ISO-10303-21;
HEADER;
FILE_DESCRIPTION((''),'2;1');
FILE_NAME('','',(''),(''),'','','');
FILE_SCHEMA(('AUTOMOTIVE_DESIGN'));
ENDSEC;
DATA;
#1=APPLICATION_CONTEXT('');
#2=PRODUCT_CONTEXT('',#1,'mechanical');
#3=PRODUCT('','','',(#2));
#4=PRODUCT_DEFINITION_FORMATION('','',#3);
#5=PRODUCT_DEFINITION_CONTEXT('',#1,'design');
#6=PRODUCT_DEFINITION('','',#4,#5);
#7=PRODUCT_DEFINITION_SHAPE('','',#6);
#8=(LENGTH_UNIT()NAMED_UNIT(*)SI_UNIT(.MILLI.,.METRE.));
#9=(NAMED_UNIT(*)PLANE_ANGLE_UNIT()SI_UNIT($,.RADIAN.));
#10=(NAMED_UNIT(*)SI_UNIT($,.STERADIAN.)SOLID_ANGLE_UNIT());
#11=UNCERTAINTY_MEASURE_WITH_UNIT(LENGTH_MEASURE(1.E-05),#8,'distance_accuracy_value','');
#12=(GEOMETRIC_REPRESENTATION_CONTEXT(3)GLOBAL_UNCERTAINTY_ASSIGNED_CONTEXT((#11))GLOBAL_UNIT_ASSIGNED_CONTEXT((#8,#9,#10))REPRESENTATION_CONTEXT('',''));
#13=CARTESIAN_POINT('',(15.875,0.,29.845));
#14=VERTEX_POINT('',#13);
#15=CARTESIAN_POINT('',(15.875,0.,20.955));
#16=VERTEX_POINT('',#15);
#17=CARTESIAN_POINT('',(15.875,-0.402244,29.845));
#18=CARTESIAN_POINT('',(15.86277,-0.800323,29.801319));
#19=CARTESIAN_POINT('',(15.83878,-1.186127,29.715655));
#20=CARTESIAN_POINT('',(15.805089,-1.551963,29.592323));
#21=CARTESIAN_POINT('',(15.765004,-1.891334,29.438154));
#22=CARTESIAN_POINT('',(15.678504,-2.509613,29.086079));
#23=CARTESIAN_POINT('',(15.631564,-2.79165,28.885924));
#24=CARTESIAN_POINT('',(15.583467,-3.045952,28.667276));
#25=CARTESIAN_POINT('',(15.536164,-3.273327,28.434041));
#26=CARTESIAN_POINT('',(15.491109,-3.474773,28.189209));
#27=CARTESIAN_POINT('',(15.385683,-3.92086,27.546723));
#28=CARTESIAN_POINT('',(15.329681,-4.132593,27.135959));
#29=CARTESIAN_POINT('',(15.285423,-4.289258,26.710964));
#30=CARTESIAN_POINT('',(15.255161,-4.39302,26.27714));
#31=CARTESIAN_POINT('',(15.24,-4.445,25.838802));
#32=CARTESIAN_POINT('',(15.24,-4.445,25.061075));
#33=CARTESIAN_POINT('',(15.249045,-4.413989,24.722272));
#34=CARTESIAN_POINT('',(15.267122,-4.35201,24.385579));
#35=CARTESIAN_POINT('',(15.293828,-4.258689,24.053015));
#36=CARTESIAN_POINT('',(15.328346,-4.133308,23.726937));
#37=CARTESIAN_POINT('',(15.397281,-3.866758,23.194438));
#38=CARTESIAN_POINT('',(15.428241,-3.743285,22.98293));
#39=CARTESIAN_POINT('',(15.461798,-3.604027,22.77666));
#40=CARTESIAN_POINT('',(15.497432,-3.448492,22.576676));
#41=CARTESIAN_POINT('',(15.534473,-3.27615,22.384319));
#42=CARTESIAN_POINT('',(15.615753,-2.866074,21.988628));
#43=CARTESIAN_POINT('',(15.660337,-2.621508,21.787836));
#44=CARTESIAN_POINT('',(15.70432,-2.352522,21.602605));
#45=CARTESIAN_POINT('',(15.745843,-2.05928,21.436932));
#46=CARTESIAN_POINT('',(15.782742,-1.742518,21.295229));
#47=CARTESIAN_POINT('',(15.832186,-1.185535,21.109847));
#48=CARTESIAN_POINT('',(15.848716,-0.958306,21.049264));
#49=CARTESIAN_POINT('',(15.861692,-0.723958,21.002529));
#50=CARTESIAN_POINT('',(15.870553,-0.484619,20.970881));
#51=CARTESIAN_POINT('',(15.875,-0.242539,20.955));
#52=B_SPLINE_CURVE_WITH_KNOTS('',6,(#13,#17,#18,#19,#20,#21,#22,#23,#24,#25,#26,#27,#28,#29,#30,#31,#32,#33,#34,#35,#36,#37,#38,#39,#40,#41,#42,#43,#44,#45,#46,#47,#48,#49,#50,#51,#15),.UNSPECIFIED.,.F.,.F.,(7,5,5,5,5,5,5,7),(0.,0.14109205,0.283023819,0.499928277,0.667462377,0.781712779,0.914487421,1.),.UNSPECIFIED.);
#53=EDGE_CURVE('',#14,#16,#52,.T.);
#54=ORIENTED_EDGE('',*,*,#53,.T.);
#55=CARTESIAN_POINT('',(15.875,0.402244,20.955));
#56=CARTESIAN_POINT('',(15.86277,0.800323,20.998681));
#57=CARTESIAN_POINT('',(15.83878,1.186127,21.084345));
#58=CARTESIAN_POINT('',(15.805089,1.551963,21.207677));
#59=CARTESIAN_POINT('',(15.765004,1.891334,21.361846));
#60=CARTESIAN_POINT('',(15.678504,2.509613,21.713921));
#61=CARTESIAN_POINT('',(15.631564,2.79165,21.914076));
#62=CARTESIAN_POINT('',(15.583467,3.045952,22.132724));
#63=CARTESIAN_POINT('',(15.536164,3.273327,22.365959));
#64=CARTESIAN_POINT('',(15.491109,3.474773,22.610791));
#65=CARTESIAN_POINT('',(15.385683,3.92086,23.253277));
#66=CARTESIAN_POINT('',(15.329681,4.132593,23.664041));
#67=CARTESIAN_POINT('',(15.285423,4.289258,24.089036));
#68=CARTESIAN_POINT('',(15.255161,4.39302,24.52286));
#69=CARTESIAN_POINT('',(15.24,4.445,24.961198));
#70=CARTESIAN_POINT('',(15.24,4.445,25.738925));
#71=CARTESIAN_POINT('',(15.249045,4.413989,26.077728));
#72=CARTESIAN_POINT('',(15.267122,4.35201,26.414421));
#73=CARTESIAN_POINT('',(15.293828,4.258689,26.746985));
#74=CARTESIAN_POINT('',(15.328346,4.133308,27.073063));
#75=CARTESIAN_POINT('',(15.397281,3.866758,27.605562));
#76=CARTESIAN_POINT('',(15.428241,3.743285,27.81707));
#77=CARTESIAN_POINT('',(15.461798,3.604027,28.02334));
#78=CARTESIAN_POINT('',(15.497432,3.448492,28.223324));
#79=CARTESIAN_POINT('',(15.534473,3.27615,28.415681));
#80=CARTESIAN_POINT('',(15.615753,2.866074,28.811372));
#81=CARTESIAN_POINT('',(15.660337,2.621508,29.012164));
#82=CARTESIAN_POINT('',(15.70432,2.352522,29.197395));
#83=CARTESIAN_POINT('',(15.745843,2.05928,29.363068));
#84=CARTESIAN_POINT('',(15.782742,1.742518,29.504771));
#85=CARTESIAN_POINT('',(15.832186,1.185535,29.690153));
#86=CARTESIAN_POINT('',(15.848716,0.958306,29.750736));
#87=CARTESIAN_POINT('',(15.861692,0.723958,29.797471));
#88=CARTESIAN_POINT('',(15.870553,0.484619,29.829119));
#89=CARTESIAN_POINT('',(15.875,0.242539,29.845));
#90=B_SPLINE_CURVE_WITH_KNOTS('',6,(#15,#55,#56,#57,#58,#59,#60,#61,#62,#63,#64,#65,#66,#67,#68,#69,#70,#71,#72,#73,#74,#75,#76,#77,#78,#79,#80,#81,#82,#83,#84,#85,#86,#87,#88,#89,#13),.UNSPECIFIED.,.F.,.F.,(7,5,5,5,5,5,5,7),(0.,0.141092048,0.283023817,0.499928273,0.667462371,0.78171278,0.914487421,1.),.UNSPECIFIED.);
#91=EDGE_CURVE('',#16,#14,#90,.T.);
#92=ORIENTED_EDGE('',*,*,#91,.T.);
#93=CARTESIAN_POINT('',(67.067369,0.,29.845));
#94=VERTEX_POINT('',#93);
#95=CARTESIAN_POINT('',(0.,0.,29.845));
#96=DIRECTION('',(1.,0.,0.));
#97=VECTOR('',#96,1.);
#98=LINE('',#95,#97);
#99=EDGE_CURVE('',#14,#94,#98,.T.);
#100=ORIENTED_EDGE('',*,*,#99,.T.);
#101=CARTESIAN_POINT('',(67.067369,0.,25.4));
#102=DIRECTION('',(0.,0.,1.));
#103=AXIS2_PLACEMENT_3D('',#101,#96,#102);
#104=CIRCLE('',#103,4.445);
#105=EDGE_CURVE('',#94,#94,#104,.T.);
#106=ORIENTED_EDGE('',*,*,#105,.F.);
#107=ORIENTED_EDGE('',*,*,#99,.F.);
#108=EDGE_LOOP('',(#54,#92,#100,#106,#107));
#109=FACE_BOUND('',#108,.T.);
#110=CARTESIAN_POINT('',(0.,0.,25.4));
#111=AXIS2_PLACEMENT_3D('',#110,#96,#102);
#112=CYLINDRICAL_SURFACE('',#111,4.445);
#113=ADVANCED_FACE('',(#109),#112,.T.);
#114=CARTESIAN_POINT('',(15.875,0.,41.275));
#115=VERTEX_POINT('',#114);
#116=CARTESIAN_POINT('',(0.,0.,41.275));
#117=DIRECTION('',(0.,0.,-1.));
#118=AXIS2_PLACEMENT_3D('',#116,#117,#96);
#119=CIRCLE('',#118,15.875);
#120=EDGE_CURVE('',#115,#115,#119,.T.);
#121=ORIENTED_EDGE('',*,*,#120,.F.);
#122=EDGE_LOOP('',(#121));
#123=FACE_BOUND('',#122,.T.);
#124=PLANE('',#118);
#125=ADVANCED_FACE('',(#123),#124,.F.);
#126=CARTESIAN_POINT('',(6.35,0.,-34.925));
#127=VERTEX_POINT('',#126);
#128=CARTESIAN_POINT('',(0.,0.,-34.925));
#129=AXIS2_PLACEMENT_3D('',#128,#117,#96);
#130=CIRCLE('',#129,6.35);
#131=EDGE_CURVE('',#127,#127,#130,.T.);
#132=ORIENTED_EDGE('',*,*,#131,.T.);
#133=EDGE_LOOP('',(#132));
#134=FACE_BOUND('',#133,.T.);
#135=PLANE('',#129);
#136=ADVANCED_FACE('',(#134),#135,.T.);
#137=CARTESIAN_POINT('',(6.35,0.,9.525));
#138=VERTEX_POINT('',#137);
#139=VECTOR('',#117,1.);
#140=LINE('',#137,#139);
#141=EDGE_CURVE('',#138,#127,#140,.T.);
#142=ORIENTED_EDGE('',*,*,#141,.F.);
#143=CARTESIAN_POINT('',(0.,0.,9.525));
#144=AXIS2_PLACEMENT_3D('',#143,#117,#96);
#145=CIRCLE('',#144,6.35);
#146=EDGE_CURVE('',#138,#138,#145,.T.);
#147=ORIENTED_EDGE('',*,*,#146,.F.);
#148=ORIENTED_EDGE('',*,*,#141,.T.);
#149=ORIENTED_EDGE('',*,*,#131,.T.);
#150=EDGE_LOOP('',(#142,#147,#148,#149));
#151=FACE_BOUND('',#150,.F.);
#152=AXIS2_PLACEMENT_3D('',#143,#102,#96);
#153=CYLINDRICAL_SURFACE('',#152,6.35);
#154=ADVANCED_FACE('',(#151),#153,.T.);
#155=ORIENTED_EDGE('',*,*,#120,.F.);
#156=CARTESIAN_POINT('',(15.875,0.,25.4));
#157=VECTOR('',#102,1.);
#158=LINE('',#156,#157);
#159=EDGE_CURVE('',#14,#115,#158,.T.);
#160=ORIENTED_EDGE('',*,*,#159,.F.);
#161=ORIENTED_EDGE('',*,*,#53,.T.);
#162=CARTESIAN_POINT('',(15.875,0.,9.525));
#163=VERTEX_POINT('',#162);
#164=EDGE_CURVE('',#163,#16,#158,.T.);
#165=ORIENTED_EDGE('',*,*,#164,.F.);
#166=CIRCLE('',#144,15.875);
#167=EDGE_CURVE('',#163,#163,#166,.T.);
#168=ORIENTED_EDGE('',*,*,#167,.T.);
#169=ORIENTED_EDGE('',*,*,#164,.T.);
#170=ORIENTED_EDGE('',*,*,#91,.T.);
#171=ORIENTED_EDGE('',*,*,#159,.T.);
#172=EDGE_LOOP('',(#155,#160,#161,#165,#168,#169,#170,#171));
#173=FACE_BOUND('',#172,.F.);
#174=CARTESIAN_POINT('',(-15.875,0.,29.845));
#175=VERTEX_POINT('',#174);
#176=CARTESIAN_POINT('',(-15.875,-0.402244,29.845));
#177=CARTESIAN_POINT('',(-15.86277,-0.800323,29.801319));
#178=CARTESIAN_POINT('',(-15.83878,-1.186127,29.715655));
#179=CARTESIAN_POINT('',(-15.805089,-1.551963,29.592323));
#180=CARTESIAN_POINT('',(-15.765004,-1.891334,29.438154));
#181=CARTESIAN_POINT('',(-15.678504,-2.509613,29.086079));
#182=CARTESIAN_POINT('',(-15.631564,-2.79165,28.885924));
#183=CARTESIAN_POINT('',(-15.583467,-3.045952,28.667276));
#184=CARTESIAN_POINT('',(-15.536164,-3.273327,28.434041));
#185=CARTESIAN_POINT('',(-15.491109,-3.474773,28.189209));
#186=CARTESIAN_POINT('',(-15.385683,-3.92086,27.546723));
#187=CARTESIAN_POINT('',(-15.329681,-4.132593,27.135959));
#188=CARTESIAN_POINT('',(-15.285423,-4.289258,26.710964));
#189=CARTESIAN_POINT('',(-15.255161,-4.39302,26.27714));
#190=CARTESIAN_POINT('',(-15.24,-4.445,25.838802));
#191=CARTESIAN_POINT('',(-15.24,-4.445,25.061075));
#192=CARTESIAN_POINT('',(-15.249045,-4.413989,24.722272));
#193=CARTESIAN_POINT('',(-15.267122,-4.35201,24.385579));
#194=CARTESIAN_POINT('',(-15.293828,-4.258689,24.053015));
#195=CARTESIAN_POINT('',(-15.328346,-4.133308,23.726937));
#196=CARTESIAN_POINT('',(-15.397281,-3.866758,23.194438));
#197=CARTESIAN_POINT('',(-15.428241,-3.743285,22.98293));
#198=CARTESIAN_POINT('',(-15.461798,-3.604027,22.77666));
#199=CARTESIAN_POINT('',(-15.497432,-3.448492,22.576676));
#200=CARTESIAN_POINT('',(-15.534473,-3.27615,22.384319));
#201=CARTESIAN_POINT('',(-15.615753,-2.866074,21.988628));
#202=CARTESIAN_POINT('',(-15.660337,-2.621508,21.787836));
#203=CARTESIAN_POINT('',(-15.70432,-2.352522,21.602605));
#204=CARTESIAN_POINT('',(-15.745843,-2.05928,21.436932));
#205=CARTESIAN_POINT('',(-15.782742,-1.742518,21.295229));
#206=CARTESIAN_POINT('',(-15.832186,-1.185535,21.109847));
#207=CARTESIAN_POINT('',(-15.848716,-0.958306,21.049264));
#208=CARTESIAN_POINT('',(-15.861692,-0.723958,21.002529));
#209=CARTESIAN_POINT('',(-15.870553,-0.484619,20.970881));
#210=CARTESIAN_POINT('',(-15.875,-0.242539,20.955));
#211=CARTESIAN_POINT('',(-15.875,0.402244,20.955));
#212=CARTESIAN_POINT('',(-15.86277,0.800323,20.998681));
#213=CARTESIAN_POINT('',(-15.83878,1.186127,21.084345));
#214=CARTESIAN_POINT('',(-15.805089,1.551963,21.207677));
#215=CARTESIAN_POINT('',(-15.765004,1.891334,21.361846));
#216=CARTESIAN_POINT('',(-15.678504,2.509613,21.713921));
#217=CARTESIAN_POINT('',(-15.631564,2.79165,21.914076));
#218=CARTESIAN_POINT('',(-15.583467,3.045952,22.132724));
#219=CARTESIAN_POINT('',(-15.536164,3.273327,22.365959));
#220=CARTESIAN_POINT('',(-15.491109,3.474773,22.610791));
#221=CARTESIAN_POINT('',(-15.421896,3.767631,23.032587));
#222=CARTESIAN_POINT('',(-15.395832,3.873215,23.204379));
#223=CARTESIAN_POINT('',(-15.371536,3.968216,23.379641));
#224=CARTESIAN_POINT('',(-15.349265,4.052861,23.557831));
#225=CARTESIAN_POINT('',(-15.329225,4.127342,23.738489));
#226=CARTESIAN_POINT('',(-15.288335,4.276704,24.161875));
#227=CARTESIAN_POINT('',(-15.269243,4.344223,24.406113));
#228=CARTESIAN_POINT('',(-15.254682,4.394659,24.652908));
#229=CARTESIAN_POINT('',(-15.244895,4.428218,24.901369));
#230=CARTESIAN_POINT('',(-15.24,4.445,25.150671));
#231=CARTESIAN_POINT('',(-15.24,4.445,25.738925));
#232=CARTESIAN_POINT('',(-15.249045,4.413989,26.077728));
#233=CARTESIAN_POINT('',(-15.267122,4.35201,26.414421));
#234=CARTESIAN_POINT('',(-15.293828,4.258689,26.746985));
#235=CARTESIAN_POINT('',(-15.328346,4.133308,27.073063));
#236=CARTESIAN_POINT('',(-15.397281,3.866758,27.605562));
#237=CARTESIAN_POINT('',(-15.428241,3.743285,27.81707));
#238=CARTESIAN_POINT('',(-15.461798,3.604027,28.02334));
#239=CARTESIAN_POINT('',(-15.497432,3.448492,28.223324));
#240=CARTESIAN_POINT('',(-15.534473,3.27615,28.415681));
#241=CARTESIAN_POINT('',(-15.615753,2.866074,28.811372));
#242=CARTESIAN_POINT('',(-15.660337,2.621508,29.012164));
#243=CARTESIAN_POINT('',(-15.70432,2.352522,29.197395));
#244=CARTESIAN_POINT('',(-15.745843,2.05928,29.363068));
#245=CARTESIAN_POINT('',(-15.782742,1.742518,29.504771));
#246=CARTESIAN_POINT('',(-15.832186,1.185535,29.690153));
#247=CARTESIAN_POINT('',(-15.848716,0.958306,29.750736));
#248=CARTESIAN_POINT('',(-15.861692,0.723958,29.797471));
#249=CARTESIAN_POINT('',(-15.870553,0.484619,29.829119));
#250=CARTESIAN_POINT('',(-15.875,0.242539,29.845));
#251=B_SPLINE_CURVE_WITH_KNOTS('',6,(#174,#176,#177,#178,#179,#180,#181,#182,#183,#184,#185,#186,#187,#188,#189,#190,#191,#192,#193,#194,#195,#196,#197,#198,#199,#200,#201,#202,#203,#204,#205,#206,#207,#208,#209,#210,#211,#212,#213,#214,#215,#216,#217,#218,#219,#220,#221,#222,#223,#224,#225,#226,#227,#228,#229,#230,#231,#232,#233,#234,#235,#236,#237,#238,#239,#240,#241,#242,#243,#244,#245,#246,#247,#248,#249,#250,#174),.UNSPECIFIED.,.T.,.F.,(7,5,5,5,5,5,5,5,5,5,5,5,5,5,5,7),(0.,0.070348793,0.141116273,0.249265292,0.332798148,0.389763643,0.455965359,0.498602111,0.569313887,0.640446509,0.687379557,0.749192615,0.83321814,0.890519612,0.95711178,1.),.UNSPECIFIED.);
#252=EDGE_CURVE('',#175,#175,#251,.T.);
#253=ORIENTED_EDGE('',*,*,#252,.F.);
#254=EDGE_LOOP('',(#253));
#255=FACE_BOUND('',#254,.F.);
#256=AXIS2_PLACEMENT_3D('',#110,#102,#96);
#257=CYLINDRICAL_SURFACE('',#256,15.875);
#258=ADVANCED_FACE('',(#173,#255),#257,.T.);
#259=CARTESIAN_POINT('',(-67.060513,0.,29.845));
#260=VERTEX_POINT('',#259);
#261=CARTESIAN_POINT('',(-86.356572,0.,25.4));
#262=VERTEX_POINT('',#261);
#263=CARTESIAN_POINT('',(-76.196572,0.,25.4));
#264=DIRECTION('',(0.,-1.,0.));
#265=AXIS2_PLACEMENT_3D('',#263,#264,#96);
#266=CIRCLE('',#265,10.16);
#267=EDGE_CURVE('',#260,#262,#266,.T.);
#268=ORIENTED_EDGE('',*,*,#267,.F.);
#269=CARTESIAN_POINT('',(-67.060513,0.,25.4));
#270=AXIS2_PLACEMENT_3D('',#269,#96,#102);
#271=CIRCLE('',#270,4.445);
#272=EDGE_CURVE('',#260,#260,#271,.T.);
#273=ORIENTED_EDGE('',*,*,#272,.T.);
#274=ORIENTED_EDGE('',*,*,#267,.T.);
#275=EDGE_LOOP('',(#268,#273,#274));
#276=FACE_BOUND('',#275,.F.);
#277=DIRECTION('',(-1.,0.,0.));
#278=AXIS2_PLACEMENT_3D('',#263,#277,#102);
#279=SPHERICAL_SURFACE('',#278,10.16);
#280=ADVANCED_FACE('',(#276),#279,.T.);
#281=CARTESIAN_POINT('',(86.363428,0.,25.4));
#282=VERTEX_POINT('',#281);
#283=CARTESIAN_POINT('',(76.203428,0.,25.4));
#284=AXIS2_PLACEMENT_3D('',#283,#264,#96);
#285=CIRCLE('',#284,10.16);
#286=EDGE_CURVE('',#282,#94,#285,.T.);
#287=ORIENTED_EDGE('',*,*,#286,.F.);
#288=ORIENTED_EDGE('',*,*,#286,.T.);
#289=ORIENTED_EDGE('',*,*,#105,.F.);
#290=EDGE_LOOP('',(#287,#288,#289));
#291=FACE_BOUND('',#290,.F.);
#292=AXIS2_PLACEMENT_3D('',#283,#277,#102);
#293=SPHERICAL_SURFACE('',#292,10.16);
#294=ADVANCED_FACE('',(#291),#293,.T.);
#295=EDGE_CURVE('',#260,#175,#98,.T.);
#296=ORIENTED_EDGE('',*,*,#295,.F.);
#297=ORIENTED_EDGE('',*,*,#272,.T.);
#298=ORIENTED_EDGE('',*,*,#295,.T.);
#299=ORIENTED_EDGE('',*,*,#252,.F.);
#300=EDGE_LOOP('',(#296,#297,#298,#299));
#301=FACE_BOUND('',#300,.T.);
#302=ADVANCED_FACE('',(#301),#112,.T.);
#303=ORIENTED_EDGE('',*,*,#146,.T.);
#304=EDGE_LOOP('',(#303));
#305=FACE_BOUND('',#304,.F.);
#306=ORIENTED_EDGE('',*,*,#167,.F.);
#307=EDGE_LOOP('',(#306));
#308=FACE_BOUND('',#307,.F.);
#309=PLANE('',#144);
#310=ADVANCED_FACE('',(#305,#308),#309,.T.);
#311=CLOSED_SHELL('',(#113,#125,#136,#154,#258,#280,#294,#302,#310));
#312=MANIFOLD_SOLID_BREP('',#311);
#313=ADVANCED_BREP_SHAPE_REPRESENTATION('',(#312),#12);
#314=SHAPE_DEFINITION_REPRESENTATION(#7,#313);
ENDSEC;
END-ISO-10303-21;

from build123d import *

# Parameters (mm, degrees)
F3_W     = 152.4
F3_H     = 4.445
F2_W     = 15.875
F2_H     = 31.75
F6_R     = 6.35
F7_DEPTH = 44.45


with BuildPart() as f1:
    # F0 (on Front) → F1 (revolve)
    with BuildSketch(Plane.XZ):
        with BuildLine():
            Line((-86.356572, 25.4), (-66.036572, 25.4))
            ThreePointArc((-66.036572, 25.4), (-76.196572, 35.56), (-86.356572, 25.4))
        make_face()
        with BuildLine():
            Line((66.043428, 25.4), (86.363428, 25.4))
            ThreePointArc((86.363428, 25.4), (76.203428, 35.56), (66.043428, 25.4))
        make_face()
    revolve(axis=Axis((-76.196572, 0, 25.4), (1, 0, 0)))

    # F3 (on Front) → F4 (revolve)
    with BuildSketch(Plane.XZ):
        with Locations((0, 27.6225)):
            Rectangle(F3_W, F3_H)
    revolve(axis=Axis((0, 0, 25.4), (1, 0, 0)))

    # F2 (on Front) → F5 (revolve)
    with BuildSketch(Plane.XZ):
        with Locations((7.9375, 25.4)):
            Rectangle(F2_W, F2_H)
    revolve(axis=Axis((0, 0, 25.4), (0, 0, -1)))

    # F6 (on face) → F7 (join)
    with BuildSketch(Plane(origin=(0, 0, 9.525), x_dir=(1, 0, 0), z_dir=(0, 0, -1))):
        Circle(F6_R)
    extrude(amount=F7_DEPTH)


solid = f1.part
